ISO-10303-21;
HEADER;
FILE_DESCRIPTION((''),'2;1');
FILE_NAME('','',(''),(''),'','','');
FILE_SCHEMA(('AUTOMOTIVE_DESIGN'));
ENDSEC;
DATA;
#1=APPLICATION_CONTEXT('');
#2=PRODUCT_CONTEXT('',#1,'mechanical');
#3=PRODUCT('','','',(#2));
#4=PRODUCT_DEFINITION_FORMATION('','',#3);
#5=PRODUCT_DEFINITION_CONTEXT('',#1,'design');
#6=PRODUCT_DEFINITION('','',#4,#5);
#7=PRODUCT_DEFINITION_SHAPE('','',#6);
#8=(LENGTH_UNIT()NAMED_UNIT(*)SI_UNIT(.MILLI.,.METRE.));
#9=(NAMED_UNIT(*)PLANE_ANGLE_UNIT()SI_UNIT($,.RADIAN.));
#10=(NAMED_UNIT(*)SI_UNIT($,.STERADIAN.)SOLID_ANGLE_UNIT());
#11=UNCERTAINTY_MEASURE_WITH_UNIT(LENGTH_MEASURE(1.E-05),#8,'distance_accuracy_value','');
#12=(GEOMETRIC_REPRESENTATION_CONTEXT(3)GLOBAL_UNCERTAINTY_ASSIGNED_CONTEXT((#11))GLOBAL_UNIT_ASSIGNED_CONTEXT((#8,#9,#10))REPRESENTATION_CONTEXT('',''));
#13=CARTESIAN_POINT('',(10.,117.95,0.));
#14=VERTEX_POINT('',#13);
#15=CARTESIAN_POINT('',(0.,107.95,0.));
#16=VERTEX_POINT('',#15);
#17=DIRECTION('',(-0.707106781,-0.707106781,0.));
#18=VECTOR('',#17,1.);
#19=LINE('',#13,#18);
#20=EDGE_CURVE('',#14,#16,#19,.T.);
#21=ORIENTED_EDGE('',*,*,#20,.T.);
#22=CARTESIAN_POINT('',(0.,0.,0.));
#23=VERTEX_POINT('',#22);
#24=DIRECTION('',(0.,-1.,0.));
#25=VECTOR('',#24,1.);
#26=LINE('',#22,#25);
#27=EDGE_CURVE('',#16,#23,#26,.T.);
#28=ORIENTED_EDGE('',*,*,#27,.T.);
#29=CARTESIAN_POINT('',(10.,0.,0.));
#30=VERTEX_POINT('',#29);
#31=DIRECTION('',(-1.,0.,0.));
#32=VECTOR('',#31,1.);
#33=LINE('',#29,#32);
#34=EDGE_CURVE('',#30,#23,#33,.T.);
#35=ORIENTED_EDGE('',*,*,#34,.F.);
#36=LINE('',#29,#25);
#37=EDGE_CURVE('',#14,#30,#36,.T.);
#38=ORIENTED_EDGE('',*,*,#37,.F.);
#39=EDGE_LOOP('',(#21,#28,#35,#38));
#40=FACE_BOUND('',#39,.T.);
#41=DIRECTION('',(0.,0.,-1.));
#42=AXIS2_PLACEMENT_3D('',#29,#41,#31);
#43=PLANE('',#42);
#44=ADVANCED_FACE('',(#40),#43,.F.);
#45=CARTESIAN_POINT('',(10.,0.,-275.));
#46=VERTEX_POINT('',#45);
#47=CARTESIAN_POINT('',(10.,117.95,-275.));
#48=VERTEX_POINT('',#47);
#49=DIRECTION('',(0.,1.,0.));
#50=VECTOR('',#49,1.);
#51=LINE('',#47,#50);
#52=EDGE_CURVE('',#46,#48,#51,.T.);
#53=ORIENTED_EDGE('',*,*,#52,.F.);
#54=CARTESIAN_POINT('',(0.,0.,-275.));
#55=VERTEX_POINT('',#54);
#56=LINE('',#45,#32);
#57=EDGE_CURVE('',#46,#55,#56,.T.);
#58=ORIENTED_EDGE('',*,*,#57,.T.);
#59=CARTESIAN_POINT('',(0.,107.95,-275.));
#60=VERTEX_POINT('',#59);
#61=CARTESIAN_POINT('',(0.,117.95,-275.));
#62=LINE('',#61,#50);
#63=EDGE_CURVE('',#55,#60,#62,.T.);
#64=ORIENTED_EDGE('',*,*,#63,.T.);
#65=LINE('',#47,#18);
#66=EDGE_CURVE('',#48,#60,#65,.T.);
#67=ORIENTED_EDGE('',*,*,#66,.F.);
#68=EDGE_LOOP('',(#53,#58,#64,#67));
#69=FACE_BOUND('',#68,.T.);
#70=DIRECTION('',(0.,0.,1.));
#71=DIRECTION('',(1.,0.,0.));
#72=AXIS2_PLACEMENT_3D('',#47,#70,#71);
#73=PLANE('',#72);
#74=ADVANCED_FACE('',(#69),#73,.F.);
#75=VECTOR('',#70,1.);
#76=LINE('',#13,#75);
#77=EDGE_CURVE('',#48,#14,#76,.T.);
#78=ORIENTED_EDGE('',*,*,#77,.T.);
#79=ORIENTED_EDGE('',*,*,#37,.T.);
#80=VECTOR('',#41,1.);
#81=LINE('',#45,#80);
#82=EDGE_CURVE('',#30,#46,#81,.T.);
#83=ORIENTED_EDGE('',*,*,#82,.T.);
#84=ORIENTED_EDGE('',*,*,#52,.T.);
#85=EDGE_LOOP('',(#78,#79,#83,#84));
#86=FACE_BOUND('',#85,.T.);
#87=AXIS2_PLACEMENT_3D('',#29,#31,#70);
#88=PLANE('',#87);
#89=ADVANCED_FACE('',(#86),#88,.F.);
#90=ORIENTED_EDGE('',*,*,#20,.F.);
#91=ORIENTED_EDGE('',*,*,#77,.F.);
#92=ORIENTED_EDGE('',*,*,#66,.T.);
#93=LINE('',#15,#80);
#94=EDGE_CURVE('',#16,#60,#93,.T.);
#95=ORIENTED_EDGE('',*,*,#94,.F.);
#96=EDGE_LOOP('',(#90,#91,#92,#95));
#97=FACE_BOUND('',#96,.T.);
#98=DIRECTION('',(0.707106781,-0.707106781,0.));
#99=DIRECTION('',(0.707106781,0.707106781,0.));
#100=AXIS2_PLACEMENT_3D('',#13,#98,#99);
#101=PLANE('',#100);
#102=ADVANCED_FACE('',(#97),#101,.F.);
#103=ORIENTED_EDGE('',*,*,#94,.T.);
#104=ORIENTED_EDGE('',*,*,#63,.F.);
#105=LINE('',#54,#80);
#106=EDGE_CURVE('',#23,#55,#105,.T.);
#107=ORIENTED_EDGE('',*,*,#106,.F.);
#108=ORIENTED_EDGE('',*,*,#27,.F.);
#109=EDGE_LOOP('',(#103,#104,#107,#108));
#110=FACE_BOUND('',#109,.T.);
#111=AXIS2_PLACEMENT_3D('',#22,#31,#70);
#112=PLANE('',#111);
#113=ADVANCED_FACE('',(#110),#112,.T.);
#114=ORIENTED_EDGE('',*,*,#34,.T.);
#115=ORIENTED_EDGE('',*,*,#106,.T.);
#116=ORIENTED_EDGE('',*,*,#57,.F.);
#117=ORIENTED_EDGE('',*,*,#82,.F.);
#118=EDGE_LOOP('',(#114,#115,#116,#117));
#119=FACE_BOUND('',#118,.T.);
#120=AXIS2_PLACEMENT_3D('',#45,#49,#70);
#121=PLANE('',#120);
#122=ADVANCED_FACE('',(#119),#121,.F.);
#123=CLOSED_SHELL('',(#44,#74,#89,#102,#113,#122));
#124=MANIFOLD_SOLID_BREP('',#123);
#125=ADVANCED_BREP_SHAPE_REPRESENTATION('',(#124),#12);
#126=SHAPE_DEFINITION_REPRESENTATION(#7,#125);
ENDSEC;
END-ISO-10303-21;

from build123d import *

# Parameters (mm, degrees)
IZIM1_W                     = 275
IZIM1_H                     = 117.95
Y_KSEKLIK_EKSTR_ZYON1_DEPTH = 10
KES_EKSTR_ZYON1_DEPTH       = 300.394726907


with BuildPart() as part:
    # Çizim1 → Yükseklik-Ekstrüzyon1 (new body)
    with BuildSketch(Plane(origin=(0, 0, 0), x_dir=(0, 0, -1), z_dir=(1, 0, 0))):
        with Locations((137.5, 58.975)):
            Rectangle(IZIM1_W, IZIM1_H)
    extrude(amount=Y_KSEKLIK_EKSTR_ZYON1_DEPTH)

    # Çizim2 → Kes-Ekstrüzyon1 (cut, through all)
    with BuildSketch(Plane(origin=(0, 0, -275), x_dir=(-1, 0, 0), z_dir=(0, 0, -1))):
        Polygon((-10, 117.95), (0, 107.95), (0, 117.95), align=None)
    extrude(amount=-KES_EKSTR_ZYON1_DEPTH, mode=Mode.SUBTRACT)


solid = part.part
